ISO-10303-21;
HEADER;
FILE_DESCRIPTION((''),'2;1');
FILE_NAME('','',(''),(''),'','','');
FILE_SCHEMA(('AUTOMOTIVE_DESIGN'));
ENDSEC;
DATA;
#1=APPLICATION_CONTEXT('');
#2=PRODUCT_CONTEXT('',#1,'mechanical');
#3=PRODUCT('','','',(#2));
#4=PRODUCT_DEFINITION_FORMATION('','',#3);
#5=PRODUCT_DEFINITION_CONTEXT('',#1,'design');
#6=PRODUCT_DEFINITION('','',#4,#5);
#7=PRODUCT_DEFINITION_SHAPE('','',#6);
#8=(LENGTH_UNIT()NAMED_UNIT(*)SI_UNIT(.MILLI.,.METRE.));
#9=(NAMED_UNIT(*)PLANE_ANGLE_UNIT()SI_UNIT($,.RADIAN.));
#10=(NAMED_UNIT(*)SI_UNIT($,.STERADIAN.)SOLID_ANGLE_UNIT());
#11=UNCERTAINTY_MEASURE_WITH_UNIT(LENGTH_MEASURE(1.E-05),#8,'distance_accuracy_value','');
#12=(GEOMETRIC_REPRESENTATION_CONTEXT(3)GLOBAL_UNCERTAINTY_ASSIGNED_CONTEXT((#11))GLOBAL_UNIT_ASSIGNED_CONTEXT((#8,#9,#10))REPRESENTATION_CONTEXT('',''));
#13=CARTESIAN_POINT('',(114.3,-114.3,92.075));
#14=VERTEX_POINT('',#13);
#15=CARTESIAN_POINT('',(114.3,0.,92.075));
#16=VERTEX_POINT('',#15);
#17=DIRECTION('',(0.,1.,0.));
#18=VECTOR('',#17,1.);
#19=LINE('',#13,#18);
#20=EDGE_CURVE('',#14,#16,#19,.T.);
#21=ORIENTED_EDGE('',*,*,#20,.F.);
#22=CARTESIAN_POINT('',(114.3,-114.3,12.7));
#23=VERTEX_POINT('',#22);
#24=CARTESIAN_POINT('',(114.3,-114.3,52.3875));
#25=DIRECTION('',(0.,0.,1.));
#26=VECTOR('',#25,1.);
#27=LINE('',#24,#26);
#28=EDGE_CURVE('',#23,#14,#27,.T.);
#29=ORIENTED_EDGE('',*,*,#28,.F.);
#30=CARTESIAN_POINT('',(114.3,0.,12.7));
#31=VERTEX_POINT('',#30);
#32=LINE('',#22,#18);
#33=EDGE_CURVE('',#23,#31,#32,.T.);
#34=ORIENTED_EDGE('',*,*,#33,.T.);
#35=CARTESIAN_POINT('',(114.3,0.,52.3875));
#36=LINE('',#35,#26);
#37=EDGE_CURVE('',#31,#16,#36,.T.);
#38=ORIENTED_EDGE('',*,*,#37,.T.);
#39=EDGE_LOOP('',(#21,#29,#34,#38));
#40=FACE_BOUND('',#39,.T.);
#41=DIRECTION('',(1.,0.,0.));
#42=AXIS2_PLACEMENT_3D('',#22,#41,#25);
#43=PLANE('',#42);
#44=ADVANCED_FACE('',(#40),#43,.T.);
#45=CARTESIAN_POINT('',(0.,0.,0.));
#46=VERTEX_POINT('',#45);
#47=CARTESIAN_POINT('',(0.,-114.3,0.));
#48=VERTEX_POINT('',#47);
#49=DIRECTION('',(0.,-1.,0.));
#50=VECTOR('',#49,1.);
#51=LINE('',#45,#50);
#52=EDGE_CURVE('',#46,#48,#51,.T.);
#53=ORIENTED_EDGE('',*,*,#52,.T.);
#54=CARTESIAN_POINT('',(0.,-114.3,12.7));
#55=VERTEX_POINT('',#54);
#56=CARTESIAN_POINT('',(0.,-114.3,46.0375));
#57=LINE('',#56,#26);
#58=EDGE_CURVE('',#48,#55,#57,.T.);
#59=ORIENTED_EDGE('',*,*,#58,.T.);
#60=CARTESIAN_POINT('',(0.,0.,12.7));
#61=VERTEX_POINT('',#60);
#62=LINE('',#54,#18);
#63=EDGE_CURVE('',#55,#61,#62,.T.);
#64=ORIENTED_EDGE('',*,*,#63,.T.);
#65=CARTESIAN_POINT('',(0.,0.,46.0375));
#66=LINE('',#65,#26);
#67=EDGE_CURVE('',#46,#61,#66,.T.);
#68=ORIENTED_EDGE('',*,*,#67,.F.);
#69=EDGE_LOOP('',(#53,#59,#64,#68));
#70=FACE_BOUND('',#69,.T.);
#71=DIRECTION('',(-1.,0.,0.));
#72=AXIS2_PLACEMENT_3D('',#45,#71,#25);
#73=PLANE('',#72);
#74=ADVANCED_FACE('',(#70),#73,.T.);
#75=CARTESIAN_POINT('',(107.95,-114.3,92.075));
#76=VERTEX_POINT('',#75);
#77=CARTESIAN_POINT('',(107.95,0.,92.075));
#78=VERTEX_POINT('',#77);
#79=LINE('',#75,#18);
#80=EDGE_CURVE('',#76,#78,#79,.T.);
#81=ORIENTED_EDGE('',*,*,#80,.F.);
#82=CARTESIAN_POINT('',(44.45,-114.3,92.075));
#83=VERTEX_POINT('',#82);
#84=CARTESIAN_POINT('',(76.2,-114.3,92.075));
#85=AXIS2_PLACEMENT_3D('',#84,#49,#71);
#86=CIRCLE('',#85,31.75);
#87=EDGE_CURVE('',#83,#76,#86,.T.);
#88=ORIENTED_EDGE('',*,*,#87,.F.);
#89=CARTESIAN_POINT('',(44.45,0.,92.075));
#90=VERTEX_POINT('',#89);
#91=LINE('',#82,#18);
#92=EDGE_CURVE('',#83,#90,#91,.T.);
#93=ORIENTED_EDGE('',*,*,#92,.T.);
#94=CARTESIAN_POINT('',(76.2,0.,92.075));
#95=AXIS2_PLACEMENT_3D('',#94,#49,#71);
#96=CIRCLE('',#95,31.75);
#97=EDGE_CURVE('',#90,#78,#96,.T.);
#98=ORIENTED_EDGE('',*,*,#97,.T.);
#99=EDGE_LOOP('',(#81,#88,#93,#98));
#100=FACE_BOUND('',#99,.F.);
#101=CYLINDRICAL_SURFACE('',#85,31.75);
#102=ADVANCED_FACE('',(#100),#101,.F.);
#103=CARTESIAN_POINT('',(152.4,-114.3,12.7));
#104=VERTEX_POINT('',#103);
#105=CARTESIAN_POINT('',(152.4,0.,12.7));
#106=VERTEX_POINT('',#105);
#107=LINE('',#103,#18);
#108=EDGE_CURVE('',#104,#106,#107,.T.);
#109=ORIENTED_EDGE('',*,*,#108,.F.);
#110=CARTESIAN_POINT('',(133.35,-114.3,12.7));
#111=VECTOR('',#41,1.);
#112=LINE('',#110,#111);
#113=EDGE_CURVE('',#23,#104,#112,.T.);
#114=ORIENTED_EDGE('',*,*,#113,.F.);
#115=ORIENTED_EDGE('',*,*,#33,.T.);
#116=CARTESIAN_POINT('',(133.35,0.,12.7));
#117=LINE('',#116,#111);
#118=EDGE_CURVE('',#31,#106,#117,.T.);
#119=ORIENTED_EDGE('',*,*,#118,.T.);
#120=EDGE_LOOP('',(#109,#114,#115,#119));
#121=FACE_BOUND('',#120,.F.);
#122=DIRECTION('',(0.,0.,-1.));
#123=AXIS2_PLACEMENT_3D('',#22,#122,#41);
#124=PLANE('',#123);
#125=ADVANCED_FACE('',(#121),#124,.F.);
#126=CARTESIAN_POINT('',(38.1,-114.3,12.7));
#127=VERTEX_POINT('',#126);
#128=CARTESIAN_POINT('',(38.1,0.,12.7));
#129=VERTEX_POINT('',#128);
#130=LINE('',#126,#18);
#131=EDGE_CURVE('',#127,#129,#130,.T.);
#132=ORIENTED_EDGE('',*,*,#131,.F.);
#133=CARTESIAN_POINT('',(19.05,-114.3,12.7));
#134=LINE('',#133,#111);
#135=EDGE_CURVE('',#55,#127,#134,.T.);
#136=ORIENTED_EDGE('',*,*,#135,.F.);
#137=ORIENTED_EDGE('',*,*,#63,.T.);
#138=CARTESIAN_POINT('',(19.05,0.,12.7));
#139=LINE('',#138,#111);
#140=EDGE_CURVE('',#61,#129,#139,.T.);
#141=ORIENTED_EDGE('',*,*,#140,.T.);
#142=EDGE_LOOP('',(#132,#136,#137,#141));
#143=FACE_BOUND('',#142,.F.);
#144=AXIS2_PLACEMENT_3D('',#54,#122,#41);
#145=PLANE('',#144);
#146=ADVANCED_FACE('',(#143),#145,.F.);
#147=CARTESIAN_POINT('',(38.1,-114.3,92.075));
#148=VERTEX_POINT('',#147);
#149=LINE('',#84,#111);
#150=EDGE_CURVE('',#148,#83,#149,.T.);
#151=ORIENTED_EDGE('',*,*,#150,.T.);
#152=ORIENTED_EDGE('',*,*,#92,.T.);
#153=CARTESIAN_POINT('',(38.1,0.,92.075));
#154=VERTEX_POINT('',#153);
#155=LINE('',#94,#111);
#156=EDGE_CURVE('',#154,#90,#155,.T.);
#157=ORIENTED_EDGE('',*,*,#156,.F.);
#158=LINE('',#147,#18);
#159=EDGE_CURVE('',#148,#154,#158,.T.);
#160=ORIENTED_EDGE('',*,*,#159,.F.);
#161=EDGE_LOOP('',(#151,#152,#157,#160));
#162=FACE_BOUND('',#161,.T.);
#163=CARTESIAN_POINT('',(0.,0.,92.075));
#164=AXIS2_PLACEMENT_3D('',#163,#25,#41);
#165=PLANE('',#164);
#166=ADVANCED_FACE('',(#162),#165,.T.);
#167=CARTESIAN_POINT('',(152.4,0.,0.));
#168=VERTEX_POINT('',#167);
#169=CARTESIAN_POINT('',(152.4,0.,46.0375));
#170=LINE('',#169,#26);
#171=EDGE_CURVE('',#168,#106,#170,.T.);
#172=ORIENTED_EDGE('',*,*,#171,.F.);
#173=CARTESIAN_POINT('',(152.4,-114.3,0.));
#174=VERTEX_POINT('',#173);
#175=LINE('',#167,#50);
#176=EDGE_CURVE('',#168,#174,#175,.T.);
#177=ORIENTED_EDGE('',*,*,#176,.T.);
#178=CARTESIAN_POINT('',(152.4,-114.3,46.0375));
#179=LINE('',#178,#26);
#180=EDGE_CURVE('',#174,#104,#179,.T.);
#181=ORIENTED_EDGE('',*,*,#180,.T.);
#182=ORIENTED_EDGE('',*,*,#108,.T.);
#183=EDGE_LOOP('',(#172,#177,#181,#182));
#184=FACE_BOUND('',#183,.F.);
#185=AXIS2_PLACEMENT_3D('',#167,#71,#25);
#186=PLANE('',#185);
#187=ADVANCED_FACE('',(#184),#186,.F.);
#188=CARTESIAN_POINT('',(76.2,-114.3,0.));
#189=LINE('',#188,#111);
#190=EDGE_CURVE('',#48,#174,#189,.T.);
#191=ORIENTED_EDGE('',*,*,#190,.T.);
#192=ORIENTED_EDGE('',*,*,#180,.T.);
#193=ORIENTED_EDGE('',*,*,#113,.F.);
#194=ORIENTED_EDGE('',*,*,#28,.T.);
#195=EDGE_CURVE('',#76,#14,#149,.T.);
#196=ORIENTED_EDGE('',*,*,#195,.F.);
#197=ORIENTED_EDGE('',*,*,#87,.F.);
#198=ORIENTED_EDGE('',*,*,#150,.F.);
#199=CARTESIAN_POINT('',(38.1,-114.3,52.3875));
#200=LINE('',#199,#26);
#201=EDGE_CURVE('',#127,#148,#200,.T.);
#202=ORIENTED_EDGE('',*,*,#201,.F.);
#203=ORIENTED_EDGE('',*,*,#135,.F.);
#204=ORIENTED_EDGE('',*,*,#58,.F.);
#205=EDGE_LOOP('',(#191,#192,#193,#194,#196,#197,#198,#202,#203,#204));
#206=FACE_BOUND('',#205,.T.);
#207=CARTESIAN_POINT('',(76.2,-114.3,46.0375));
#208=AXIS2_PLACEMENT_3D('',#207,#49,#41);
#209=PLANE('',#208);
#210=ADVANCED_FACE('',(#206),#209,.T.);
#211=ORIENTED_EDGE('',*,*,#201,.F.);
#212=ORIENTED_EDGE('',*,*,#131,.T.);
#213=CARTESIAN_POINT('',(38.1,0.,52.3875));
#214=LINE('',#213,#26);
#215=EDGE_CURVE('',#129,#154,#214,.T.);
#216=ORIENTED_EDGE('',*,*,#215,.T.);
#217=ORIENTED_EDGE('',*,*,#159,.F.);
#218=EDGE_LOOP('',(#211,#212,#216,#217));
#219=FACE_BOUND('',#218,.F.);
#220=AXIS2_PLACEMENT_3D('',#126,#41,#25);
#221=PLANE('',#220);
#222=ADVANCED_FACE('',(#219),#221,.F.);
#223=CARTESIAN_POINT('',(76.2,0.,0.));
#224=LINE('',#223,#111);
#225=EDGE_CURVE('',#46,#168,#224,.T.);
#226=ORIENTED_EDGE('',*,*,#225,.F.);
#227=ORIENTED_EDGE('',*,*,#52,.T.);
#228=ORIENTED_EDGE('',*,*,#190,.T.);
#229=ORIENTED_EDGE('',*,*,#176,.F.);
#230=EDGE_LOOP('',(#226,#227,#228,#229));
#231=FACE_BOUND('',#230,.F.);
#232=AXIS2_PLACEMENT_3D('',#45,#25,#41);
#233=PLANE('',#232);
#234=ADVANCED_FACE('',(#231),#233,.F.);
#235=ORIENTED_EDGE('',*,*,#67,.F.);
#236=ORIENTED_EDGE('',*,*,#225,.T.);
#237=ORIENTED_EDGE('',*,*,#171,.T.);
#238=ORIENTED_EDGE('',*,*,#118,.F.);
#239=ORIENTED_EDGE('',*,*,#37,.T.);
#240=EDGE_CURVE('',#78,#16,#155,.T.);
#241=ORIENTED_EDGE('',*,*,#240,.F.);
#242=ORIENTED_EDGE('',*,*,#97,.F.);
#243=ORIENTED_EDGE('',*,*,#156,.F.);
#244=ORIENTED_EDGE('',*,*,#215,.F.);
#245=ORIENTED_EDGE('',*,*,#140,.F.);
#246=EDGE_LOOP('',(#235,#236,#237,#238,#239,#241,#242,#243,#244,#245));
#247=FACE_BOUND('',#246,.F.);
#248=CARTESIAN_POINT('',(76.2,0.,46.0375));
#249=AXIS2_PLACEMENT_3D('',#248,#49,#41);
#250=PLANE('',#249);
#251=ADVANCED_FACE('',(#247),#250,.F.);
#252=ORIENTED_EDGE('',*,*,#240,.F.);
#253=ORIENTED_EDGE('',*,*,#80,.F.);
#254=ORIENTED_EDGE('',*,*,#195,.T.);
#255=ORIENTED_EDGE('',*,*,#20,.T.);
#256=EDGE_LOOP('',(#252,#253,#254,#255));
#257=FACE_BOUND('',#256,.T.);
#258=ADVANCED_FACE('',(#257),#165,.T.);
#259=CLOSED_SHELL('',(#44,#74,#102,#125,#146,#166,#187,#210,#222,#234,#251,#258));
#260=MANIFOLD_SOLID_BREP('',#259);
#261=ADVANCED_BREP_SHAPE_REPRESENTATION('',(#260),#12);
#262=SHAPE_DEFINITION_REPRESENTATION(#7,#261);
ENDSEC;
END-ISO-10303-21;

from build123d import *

# Parameters (mm, degrees)
F0_W     = 152.4
F0_H     = 92.075
F1_DEPTH = 114.3
F2_W     = 38.1
F2_H     = 79.375
F3_DEPTH = 114.3
F5_DEPTH = 114.3


with BuildPart() as f1:
    # F0 (on Front) → F1 (new body)
    with BuildSketch(Plane.XZ):
        with Locations((76.2, 46.0375)):
            Rectangle(F0_W, F0_H)
    extrude(amount=F1_DEPTH)

    # F2 (on face) → F3 (cut)
    with BuildSketch(Plane.XZ.offset(114.3)):
        with Locations((19.05, 52.3875)):
            Rectangle(F2_W, F2_H)
        with Locations((133.35, 52.3875)):
            Rectangle(F2_W, F2_H)
    extrude(amount=-F3_DEPTH, mode=Mode.SUBTRACT)

    # F4 (on face) → F5 (cut)
    with BuildSketch(Plane.XZ.offset(114.3)):
        with BuildLine():
            ThreePointArc((44.45, 92.075), (76.2, 60.325), (107.95, 92.075))
            Line((107.95, 92.075), (44.45, 92.075))
        make_face()
    extrude(amount=-F5_DEPTH, mode=Mode.SUBTRACT)


solid = f1.part
